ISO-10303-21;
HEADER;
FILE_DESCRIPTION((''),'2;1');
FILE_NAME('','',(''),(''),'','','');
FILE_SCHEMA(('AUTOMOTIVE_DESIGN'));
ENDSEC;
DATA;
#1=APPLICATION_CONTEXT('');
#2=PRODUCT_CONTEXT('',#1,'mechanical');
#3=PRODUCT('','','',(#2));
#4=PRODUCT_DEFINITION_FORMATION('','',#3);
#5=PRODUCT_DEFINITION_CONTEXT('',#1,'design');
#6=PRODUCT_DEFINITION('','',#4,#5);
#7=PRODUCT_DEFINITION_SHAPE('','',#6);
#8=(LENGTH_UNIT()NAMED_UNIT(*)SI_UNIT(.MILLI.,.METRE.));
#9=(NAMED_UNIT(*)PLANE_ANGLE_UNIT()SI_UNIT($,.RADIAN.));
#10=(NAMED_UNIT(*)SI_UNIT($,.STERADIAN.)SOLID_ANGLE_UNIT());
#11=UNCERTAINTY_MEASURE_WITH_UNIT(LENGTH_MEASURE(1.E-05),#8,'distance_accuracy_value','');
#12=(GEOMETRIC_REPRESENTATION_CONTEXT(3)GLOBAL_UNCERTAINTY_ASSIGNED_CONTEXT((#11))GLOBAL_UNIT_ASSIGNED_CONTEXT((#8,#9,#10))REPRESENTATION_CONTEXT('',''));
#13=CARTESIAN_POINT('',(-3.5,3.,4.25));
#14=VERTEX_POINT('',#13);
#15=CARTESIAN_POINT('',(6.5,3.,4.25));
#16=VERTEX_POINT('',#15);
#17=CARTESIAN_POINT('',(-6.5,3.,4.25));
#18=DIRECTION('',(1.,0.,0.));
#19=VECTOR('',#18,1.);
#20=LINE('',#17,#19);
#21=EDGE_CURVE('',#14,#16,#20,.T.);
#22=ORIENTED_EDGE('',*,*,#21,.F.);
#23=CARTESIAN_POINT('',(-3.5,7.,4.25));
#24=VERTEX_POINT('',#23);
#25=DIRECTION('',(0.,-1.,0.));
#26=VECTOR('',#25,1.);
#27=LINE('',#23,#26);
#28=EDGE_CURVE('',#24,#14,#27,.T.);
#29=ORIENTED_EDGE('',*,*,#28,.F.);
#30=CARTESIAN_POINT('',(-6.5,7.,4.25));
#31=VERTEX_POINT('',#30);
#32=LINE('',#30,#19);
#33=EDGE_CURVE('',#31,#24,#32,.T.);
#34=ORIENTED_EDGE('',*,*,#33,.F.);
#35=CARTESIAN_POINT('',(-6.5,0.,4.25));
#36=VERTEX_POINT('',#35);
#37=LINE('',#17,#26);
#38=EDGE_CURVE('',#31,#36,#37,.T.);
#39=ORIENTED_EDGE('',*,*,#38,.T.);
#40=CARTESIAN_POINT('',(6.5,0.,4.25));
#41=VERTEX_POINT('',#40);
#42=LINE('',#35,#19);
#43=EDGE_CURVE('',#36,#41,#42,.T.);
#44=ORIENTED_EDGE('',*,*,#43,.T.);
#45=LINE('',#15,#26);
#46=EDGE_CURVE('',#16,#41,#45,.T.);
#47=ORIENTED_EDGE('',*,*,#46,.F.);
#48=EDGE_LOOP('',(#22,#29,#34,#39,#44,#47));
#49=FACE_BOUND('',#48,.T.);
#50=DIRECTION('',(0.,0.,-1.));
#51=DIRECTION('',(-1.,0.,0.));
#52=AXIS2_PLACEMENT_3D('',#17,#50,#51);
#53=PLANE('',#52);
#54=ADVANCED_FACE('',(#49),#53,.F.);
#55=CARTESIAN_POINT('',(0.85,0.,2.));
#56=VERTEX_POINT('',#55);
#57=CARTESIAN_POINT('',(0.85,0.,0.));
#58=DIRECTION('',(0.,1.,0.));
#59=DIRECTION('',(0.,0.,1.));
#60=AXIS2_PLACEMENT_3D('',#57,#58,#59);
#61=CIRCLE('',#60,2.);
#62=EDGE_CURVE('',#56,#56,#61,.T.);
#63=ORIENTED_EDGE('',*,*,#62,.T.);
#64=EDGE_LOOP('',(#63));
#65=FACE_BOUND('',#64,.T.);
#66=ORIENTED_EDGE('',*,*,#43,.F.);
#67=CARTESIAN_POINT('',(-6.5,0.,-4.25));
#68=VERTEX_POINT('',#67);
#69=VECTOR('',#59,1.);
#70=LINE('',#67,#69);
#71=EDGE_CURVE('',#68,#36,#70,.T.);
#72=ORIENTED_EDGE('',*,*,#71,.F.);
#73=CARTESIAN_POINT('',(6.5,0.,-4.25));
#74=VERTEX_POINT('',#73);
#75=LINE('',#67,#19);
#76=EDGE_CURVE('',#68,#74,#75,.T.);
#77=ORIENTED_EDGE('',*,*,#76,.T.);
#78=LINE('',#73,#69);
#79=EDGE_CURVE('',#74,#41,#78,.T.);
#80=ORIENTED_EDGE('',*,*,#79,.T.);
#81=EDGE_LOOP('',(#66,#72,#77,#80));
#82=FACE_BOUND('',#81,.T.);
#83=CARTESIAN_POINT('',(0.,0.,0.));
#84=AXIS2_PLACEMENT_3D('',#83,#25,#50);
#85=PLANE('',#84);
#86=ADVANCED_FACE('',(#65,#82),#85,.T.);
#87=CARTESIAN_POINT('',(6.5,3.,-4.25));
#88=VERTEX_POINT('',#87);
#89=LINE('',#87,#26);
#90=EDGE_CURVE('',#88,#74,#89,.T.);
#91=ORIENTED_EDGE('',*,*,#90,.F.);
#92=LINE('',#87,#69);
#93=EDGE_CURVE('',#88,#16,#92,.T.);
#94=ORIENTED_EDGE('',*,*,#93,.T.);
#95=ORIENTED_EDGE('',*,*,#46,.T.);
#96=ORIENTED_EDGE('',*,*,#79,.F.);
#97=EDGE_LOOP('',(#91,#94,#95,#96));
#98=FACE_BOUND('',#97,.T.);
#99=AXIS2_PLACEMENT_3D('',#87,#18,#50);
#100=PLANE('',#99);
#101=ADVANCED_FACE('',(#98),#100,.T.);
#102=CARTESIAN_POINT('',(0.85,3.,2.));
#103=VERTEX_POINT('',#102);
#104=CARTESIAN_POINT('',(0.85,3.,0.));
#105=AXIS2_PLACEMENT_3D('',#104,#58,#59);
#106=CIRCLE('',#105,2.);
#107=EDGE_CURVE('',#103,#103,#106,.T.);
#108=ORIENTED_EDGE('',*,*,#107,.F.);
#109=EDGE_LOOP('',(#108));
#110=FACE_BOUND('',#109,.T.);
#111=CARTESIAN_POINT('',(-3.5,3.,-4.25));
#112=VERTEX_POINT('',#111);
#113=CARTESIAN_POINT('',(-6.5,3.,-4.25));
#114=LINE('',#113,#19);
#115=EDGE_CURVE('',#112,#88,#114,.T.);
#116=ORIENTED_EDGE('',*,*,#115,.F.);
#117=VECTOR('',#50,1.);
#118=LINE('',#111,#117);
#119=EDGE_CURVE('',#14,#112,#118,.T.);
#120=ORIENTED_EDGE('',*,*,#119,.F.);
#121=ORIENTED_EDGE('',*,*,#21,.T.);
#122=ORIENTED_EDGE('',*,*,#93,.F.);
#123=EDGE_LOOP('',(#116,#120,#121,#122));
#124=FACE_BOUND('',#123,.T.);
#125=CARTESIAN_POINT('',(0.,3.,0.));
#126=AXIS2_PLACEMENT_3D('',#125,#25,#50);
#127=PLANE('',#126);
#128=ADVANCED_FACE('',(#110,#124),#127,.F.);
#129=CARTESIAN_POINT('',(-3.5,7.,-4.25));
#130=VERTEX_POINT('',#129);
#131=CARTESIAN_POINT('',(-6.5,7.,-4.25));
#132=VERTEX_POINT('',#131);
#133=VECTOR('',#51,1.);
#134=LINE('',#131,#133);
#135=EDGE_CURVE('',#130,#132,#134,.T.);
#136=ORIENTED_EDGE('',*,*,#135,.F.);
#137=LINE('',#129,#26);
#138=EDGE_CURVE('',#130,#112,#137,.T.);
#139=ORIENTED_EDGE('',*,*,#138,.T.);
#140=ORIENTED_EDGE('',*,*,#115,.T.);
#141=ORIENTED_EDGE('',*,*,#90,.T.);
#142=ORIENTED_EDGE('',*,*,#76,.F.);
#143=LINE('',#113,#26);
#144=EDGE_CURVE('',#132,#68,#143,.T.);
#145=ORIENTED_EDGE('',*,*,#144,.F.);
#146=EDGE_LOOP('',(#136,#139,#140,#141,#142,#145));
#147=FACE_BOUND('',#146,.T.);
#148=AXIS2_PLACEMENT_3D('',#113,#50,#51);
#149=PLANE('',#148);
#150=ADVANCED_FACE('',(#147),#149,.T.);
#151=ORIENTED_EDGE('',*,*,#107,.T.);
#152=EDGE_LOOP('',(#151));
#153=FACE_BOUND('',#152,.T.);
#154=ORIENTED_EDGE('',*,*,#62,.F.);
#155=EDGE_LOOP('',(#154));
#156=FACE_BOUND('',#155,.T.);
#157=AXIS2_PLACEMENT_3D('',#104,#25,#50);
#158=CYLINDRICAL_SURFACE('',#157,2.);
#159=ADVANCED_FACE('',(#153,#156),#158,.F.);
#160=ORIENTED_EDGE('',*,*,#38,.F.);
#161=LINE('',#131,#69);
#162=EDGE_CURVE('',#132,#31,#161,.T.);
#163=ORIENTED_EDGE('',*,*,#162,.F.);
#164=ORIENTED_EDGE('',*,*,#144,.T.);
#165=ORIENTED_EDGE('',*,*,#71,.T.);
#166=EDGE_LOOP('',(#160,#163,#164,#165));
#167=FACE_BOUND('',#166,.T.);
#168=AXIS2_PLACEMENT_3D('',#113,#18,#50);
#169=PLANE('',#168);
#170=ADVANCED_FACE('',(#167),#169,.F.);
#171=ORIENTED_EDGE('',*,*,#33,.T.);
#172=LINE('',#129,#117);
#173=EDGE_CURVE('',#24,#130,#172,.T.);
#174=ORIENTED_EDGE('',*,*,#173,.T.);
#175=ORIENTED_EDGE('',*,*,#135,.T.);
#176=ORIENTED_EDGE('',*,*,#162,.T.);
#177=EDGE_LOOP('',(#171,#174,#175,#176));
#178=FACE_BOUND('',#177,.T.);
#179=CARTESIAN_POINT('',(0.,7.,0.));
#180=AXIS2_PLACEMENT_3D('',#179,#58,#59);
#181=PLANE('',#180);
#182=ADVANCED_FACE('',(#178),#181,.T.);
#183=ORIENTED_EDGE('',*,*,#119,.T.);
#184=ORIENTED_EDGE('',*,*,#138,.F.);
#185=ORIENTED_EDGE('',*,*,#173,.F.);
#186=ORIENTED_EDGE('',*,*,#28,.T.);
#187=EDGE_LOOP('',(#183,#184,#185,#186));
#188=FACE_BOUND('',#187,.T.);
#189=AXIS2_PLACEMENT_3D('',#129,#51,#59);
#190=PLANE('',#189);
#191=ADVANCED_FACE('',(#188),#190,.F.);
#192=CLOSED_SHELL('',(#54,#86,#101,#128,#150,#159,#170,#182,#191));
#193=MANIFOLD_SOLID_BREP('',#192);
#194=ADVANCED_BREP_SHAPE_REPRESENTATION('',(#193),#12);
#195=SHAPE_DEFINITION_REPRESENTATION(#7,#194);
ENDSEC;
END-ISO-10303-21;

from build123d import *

# Parameters (mm, degrees)
SKETCH1_W           = 13
SKETCH1_H           = 8.5
BOSS_EXTRUDE2_DEPTH = 3
SKETCH2_R           = 2
CUT_EXTRUDE1_DEPTH  = 9.325412903
SKETCH3_W           = 3
SKETCH3_H           = 8.5
BOSS_EXTRUDE3_DEPTH = 4


with BuildPart() as part:
    # Sketch1 → Boss-Extrude2 (new body)
    with BuildSketch(Plane(origin=(0, 0, 0), x_dir=(1, 0, 0), z_dir=(0, 1, 0))):
        Rectangle(SKETCH1_W, SKETCH1_H)
    extrude(amount=BOSS_EXTRUDE2_DEPTH)

    # Sketch2 → Cut-Extrude1 (cut, through all)
    with BuildSketch(Plane(origin=(0, 0, 0), x_dir=(1, 0, 0), z_dir=(0, 1, 0))):
        with Locations(Location((0.85, 0, 0), (0, 0, 270))):
            Circle(SKETCH2_R)
    extrude(amount=CUT_EXTRUDE1_DEPTH, mode=Mode.SUBTRACT)

    # Sketch3 → Boss-Extrude3 (add)
    with BuildSketch(Plane(origin=(0, 3, 0), x_dir=(1, 0, 0), z_dir=(0, 1, 0))):
        with Locations((-5, 0)):
            Rectangle(SKETCH3_W, SKETCH3_H)
    extrude(amount=BOSS_EXTRUDE3_DEPTH)


solid = part.part
